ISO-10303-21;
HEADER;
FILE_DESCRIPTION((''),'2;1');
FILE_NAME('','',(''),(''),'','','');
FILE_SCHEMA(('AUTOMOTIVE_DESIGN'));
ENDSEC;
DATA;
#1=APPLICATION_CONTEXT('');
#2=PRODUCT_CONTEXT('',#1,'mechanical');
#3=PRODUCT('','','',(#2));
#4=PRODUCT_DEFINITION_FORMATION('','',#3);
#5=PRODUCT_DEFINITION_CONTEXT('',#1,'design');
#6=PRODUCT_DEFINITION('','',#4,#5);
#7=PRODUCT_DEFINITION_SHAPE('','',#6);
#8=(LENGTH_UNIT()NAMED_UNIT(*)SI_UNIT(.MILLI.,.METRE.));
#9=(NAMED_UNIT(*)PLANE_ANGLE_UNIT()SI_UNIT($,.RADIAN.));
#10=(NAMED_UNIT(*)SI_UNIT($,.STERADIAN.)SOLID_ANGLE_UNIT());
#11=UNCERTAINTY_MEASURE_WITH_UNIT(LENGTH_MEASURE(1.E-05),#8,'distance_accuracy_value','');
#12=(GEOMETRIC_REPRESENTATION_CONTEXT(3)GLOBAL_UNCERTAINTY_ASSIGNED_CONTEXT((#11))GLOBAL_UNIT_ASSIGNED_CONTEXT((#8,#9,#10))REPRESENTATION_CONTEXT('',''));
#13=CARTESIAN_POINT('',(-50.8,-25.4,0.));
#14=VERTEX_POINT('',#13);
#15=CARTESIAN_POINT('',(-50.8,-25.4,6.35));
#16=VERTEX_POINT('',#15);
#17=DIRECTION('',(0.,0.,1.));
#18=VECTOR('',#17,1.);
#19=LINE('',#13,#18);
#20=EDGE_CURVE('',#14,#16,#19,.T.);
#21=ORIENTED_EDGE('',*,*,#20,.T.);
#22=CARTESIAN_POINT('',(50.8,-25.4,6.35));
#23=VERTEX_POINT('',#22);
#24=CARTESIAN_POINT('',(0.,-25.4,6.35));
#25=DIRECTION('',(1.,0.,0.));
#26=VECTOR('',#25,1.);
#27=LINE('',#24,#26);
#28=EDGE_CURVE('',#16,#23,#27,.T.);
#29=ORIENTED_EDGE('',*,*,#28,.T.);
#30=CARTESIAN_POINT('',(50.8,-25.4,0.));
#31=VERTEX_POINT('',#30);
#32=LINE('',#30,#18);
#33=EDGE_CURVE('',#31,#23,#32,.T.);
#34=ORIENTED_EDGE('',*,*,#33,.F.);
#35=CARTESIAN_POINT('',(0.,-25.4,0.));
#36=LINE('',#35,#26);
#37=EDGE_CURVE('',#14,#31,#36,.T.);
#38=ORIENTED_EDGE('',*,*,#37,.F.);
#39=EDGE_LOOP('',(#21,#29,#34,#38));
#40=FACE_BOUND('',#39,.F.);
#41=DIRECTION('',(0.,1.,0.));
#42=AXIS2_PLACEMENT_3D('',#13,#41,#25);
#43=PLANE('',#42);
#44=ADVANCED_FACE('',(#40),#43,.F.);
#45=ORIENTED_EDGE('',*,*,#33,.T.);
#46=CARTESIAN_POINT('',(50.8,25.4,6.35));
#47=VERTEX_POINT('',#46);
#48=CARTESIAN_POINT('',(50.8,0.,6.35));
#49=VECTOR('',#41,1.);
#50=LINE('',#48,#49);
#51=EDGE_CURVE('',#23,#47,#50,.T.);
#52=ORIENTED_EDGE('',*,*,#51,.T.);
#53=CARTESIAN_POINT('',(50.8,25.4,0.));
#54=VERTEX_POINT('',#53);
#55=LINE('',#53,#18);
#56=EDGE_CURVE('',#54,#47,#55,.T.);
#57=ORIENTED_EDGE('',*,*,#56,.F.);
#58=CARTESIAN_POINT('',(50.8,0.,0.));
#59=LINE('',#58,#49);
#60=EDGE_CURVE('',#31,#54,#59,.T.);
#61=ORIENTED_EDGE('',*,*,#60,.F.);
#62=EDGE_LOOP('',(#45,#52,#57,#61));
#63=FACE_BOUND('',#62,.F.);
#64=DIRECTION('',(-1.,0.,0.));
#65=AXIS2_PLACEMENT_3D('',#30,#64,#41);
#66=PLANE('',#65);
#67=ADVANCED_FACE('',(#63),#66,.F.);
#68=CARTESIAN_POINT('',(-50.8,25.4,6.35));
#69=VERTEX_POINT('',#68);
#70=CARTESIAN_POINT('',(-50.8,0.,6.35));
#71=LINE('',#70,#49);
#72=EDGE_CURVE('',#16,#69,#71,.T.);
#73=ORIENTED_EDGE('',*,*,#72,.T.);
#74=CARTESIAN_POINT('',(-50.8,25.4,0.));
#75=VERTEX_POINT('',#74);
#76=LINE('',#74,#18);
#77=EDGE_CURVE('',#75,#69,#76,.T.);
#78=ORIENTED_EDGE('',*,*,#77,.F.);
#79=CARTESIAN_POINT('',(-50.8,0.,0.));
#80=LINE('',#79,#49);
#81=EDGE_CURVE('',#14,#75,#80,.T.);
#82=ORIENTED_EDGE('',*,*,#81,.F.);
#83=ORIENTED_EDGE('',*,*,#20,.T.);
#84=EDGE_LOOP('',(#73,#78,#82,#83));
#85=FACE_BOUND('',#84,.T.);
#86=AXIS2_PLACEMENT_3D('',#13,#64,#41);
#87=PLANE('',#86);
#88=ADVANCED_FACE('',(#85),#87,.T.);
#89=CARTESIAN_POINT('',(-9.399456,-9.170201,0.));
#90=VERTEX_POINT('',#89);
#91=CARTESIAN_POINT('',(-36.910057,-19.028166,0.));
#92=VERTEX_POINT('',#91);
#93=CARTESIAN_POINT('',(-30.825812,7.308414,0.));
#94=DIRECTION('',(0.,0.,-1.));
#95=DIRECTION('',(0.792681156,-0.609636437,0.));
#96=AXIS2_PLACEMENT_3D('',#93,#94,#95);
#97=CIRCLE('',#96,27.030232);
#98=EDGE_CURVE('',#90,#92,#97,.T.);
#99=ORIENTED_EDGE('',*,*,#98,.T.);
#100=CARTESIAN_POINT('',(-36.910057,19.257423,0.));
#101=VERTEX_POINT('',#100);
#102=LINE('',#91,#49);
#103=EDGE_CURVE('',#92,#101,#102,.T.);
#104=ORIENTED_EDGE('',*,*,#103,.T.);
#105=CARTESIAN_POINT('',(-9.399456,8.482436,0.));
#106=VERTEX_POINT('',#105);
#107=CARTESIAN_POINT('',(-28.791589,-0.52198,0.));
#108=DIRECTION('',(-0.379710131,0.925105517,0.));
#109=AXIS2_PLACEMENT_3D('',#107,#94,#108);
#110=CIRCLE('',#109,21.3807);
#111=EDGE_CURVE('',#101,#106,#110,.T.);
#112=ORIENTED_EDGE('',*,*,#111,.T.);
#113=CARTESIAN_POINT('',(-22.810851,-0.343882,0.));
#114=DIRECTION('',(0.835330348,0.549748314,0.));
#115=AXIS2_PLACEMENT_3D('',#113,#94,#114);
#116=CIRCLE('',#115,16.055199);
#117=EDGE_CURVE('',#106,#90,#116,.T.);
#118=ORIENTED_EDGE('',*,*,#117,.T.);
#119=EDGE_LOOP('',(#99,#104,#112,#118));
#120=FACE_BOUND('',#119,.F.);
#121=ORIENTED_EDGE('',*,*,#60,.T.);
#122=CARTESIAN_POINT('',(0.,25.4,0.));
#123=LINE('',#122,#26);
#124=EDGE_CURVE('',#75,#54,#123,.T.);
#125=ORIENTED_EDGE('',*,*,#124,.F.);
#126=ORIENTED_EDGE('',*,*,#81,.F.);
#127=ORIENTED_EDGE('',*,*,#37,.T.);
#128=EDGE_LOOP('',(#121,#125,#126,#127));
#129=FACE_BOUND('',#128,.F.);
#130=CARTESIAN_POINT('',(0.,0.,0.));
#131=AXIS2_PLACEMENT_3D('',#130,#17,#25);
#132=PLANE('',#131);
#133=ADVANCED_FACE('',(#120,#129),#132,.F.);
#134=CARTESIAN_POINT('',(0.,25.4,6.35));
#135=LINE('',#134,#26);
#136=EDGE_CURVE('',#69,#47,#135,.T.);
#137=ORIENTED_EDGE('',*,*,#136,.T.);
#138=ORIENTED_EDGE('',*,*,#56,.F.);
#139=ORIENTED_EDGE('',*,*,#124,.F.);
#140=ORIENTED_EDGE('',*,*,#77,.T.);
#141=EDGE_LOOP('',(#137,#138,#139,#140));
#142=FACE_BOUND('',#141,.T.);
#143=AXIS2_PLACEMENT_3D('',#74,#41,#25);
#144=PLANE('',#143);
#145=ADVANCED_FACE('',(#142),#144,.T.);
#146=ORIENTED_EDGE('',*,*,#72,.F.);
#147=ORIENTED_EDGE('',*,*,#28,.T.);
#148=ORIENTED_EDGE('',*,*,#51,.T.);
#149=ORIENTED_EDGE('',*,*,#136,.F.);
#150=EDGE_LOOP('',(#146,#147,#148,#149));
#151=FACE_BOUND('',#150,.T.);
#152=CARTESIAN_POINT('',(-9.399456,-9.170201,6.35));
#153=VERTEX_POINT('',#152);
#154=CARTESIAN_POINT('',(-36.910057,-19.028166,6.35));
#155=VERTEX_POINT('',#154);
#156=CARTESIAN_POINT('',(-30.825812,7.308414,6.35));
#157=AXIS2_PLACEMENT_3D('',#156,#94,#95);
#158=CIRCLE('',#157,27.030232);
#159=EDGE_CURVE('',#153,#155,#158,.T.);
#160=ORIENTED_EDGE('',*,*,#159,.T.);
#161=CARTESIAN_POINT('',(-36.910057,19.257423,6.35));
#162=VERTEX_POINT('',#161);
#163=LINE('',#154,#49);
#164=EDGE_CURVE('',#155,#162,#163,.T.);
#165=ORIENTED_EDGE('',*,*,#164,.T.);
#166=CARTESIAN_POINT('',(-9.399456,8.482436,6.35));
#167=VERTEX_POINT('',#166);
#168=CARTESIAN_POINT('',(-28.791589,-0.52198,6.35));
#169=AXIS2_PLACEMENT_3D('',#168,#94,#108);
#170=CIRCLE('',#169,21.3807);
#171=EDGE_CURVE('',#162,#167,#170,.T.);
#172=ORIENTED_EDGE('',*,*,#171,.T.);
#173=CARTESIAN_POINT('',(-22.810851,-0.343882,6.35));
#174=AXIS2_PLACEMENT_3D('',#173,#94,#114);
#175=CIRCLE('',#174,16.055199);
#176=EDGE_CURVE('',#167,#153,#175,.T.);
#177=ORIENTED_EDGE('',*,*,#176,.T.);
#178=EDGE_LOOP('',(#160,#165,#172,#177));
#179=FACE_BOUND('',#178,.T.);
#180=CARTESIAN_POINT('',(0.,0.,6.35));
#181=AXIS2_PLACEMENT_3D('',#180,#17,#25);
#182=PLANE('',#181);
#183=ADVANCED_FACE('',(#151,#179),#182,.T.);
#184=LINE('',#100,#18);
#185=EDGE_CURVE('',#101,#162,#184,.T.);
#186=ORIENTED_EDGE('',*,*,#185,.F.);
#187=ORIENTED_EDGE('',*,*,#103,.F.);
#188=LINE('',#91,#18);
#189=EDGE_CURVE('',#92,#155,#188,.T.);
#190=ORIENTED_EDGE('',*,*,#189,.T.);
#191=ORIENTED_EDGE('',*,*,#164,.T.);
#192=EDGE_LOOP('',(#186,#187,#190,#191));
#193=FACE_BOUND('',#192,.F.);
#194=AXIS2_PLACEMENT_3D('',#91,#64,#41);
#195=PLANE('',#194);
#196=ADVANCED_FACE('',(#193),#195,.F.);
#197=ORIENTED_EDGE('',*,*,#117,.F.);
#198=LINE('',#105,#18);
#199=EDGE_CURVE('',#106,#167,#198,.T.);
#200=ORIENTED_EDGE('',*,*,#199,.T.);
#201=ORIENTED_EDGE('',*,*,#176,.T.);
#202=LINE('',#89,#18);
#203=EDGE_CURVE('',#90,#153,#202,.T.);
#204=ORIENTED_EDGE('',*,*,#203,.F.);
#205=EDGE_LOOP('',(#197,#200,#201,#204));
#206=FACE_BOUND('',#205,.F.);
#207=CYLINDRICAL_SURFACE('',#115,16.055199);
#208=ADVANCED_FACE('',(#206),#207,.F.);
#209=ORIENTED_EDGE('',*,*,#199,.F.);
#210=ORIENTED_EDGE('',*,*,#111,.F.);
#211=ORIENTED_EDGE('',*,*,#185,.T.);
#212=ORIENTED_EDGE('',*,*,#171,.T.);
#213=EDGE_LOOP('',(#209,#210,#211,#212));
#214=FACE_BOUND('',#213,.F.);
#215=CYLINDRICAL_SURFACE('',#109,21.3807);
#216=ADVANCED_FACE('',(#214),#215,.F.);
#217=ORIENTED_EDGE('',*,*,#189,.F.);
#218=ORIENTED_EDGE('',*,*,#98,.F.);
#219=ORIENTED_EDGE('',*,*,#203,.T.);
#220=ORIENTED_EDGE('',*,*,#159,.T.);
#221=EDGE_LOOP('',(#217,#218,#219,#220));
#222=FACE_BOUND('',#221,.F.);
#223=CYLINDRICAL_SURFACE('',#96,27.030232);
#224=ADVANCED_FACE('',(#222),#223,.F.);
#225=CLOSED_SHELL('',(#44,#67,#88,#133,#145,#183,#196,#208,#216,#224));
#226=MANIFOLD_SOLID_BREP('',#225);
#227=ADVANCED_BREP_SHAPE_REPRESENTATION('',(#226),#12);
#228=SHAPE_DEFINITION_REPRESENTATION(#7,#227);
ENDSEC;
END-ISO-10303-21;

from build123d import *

# Parameters (mm, degrees)
F0_W     = 101.6
F0_H     = 50.8
F1_DEPTH = 6.35


with BuildPart() as f1:
    # F0 (on Top) → F1 (new body)
    with BuildSketch(Plane.XY):
        Rectangle(F0_W, F0_H)
        with BuildLine():
            Line((-36.910057, -19.028166), (-36.910057, 19.257423))
            ThreePointArc((-36.910057, 19.257423), (-20.99422, 19.386193), (-9.399456, 8.482436))
            ThreePointArc((-9.399456, 8.482436), (-6.755652, -0.343882), (-9.399456, -9.170201))
            ThreePointArc((-9.399456, -9.170201), (-21.7077, -18.13748), (-36.910057, -19.028166))
        make_face(mode=Mode.SUBTRACT)
    extrude(amount=F1_DEPTH)


solid = f1.part
